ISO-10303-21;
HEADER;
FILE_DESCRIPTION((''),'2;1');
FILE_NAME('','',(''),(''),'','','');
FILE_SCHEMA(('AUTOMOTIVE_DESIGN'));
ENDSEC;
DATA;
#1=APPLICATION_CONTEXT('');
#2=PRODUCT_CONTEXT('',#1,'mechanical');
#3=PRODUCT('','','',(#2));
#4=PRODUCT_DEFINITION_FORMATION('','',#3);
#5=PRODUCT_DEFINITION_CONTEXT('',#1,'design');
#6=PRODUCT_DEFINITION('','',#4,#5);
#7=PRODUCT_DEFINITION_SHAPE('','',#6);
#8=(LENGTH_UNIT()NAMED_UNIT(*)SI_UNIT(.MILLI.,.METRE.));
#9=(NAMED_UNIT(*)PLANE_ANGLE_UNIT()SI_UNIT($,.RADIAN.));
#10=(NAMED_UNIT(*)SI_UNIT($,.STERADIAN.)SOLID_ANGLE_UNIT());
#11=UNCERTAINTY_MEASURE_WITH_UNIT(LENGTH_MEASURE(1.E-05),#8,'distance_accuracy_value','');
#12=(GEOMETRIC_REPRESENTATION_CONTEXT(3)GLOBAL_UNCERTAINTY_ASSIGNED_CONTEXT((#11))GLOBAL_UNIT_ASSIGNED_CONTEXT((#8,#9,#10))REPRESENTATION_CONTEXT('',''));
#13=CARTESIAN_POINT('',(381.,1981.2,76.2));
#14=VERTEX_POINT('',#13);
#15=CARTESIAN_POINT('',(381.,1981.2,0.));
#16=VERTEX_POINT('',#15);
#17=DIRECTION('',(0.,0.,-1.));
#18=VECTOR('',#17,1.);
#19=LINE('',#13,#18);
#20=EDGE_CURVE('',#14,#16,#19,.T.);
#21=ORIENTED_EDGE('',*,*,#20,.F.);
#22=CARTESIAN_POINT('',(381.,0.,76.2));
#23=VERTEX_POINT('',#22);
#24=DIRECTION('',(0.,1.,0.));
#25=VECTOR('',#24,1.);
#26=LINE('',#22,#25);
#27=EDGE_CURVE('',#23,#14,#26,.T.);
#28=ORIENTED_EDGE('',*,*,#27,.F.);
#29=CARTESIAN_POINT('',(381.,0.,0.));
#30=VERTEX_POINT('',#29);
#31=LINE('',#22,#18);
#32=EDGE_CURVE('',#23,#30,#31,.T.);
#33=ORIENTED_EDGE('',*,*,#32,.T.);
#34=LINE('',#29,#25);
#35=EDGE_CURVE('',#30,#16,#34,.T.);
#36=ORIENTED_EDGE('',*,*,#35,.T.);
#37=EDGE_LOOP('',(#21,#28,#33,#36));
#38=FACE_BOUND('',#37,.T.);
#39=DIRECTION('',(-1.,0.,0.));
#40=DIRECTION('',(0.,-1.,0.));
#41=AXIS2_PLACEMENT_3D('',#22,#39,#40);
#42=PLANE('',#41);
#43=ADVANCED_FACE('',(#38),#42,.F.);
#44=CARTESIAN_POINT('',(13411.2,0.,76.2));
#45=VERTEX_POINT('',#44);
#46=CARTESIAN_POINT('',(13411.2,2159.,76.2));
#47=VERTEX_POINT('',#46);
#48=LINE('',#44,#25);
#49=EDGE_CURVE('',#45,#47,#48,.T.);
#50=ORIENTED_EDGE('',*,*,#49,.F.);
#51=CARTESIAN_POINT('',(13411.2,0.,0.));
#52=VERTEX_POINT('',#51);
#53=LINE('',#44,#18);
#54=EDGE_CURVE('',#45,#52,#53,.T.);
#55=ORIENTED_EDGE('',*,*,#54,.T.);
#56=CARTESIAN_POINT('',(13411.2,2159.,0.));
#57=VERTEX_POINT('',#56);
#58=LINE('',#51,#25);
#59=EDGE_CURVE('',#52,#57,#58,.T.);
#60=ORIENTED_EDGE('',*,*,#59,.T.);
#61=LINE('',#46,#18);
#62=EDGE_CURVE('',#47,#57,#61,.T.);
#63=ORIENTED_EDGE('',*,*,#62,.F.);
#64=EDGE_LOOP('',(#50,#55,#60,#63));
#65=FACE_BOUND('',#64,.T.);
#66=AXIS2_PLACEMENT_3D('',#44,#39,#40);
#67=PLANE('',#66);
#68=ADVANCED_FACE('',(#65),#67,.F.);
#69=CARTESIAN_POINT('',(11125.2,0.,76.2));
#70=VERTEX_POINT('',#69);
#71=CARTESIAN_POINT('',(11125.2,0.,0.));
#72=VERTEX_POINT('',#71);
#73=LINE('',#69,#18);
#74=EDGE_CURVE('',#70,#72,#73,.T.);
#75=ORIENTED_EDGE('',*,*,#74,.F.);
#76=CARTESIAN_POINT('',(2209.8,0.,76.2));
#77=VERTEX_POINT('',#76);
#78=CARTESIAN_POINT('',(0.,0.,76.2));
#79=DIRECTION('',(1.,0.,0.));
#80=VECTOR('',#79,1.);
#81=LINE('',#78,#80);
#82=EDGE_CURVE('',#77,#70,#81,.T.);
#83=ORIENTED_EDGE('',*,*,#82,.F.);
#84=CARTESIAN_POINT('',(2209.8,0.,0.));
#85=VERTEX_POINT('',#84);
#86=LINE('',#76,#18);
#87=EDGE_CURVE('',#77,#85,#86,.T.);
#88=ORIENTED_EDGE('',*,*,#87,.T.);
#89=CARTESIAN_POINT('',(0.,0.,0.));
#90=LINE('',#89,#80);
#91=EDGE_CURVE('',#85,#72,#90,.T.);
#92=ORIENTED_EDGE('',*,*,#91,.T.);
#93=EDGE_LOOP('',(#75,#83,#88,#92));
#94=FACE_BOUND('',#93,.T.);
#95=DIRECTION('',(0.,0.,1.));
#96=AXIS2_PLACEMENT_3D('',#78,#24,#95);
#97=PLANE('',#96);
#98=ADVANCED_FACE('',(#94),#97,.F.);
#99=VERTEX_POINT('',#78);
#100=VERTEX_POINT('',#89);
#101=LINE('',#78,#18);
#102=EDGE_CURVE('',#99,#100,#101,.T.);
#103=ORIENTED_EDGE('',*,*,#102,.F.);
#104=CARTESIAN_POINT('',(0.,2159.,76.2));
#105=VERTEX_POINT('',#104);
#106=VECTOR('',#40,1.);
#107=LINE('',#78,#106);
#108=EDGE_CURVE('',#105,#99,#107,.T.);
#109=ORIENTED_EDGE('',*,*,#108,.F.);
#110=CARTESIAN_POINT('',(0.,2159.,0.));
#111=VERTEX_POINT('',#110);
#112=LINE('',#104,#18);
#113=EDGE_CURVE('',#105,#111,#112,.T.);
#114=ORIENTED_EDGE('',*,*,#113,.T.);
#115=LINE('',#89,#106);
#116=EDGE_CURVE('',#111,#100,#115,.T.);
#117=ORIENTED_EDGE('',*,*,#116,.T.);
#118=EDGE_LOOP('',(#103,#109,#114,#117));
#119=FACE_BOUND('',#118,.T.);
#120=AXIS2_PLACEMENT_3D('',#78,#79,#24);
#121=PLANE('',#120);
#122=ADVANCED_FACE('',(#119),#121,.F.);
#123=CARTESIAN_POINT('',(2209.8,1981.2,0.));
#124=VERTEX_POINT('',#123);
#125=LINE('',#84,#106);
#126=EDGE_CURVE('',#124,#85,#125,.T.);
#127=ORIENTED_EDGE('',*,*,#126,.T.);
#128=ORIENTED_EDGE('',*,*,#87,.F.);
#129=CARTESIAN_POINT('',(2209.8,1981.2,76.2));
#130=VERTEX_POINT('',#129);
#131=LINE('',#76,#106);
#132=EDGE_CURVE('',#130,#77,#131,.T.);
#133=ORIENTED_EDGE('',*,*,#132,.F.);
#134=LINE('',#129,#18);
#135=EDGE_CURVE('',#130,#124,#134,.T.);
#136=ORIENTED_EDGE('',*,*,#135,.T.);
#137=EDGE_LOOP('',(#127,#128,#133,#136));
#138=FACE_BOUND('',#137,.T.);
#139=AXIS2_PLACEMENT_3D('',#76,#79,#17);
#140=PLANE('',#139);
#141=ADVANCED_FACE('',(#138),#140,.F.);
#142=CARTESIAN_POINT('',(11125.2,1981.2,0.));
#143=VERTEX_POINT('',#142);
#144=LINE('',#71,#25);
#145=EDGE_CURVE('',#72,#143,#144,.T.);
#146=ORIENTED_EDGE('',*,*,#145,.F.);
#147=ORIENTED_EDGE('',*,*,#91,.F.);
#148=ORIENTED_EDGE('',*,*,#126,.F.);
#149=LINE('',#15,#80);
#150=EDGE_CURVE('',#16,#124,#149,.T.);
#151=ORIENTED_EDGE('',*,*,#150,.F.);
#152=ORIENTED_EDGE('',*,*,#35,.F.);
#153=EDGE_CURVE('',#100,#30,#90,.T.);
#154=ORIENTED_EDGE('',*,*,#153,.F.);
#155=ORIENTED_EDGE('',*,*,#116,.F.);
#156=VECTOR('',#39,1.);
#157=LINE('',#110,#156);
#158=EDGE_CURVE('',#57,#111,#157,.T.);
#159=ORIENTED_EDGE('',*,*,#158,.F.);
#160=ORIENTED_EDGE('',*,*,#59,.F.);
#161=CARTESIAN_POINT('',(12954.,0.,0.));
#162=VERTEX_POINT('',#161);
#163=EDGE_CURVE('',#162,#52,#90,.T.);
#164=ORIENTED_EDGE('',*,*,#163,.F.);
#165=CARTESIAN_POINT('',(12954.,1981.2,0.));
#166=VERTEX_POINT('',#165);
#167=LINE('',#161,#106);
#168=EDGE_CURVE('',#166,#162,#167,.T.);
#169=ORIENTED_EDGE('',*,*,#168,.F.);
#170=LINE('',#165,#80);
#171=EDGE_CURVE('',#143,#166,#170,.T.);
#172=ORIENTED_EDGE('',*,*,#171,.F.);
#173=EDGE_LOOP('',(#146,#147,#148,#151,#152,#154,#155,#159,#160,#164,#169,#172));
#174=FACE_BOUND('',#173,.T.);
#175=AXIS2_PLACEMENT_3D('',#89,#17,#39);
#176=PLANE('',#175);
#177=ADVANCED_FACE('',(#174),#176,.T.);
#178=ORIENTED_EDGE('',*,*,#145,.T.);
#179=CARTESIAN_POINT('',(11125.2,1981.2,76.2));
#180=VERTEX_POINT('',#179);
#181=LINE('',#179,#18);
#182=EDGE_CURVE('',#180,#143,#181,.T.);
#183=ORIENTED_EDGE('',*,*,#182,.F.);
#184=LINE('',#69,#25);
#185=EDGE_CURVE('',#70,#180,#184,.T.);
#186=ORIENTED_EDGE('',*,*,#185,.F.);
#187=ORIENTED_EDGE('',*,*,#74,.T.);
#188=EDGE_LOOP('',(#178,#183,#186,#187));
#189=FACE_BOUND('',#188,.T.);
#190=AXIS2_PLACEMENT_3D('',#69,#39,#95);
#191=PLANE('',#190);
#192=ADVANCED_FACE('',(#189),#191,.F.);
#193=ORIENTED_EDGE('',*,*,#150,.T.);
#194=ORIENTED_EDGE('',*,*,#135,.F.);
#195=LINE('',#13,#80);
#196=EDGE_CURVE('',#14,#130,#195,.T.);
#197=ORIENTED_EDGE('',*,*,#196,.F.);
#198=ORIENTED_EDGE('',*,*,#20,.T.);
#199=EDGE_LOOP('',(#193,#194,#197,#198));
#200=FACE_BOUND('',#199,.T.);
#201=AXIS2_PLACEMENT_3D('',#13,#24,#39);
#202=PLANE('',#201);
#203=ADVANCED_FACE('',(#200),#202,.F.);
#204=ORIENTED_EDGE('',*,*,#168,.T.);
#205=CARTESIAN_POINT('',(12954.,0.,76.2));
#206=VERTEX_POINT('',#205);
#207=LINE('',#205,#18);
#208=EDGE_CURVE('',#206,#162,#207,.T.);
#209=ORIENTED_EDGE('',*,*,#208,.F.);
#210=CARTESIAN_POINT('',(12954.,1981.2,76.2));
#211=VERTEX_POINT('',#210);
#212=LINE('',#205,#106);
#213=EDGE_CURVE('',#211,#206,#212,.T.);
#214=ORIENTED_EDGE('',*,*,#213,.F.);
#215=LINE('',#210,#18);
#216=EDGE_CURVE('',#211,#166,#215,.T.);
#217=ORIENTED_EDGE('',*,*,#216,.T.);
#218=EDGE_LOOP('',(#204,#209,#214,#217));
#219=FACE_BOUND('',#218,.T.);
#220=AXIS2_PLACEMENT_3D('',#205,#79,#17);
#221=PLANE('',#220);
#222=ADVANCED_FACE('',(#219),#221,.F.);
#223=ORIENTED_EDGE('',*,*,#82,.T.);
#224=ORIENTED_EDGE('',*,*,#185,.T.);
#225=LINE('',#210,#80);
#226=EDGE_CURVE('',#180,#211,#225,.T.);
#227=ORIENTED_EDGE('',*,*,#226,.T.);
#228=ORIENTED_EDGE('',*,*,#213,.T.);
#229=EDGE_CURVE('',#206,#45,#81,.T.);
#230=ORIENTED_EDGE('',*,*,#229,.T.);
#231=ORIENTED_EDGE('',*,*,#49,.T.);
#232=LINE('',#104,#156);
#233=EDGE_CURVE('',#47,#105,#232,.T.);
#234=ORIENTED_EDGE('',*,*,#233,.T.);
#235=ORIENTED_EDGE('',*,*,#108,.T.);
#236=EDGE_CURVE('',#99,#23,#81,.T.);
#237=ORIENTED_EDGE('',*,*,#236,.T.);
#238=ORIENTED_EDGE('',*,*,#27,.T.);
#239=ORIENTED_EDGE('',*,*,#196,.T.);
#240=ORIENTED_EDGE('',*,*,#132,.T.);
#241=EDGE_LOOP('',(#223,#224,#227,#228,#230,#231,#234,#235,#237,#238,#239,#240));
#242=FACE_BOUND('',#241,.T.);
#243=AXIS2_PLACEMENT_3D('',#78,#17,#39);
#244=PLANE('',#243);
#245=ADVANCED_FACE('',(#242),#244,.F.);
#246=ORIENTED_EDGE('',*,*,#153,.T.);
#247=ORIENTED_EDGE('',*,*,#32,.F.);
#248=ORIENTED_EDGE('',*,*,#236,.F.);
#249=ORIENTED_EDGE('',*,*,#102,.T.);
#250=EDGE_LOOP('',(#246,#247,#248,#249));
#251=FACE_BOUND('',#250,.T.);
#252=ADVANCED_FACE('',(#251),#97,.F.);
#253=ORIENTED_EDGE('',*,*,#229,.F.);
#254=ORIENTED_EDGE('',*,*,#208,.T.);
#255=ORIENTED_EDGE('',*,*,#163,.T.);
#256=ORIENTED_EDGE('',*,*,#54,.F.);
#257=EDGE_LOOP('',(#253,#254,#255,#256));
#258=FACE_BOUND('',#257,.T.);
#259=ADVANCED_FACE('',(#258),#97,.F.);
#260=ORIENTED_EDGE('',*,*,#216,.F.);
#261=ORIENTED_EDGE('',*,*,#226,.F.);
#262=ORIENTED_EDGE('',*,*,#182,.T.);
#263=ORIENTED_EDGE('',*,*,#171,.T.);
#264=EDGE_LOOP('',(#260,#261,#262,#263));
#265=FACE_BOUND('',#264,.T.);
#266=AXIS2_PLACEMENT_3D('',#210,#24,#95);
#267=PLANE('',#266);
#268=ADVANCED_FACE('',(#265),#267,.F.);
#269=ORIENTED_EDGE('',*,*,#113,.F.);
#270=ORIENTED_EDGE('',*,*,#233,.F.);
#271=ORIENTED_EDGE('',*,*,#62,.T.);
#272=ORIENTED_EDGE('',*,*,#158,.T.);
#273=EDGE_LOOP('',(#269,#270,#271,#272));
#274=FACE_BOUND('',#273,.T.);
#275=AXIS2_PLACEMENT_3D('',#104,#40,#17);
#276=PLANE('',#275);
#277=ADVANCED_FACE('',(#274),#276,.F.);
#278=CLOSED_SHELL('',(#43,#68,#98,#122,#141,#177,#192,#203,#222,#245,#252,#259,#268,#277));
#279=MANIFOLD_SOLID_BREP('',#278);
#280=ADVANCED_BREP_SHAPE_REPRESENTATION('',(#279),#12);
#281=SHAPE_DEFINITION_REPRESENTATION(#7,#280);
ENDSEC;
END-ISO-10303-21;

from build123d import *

# Parameters (mm, degrees)
SKETCH2_W           = 13411.2
SKETCH2_H           = 2159
BOSS_EXTRUDE1_DEPTH = 76.2
SKETCH3_W           = 1828.8
SKETCH3_H           = 1981.2
CUT_EXTRUDE1_DEPTH  = 13585.085279473


with BuildPart() as part:
    # Sketch2 → Boss-Extrude1 (new body)
    with BuildSketch(Plane.XY):
        with Locations((6705.6, 1079.5)):
            Rectangle(SKETCH2_W, SKETCH2_H)
    extrude(amount=BOSS_EXTRUDE1_DEPTH)

    # Sketch3 → Cut-Extrude1 (cut, through all)
    with BuildSketch(Plane(origin=(0, 0, 0), x_dir=(-1, 0, 0), z_dir=(0, 0, -1))):
        with Locations((-12039.6, 990.6)):
            Rectangle(SKETCH3_W, SKETCH3_H)
        with Locations((-1295.4, 990.6)):
            Rectangle(SKETCH3_W, SKETCH3_H)
    extrude(amount=-CUT_EXTRUDE1_DEPTH, mode=Mode.SUBTRACT)


solid = part.part
